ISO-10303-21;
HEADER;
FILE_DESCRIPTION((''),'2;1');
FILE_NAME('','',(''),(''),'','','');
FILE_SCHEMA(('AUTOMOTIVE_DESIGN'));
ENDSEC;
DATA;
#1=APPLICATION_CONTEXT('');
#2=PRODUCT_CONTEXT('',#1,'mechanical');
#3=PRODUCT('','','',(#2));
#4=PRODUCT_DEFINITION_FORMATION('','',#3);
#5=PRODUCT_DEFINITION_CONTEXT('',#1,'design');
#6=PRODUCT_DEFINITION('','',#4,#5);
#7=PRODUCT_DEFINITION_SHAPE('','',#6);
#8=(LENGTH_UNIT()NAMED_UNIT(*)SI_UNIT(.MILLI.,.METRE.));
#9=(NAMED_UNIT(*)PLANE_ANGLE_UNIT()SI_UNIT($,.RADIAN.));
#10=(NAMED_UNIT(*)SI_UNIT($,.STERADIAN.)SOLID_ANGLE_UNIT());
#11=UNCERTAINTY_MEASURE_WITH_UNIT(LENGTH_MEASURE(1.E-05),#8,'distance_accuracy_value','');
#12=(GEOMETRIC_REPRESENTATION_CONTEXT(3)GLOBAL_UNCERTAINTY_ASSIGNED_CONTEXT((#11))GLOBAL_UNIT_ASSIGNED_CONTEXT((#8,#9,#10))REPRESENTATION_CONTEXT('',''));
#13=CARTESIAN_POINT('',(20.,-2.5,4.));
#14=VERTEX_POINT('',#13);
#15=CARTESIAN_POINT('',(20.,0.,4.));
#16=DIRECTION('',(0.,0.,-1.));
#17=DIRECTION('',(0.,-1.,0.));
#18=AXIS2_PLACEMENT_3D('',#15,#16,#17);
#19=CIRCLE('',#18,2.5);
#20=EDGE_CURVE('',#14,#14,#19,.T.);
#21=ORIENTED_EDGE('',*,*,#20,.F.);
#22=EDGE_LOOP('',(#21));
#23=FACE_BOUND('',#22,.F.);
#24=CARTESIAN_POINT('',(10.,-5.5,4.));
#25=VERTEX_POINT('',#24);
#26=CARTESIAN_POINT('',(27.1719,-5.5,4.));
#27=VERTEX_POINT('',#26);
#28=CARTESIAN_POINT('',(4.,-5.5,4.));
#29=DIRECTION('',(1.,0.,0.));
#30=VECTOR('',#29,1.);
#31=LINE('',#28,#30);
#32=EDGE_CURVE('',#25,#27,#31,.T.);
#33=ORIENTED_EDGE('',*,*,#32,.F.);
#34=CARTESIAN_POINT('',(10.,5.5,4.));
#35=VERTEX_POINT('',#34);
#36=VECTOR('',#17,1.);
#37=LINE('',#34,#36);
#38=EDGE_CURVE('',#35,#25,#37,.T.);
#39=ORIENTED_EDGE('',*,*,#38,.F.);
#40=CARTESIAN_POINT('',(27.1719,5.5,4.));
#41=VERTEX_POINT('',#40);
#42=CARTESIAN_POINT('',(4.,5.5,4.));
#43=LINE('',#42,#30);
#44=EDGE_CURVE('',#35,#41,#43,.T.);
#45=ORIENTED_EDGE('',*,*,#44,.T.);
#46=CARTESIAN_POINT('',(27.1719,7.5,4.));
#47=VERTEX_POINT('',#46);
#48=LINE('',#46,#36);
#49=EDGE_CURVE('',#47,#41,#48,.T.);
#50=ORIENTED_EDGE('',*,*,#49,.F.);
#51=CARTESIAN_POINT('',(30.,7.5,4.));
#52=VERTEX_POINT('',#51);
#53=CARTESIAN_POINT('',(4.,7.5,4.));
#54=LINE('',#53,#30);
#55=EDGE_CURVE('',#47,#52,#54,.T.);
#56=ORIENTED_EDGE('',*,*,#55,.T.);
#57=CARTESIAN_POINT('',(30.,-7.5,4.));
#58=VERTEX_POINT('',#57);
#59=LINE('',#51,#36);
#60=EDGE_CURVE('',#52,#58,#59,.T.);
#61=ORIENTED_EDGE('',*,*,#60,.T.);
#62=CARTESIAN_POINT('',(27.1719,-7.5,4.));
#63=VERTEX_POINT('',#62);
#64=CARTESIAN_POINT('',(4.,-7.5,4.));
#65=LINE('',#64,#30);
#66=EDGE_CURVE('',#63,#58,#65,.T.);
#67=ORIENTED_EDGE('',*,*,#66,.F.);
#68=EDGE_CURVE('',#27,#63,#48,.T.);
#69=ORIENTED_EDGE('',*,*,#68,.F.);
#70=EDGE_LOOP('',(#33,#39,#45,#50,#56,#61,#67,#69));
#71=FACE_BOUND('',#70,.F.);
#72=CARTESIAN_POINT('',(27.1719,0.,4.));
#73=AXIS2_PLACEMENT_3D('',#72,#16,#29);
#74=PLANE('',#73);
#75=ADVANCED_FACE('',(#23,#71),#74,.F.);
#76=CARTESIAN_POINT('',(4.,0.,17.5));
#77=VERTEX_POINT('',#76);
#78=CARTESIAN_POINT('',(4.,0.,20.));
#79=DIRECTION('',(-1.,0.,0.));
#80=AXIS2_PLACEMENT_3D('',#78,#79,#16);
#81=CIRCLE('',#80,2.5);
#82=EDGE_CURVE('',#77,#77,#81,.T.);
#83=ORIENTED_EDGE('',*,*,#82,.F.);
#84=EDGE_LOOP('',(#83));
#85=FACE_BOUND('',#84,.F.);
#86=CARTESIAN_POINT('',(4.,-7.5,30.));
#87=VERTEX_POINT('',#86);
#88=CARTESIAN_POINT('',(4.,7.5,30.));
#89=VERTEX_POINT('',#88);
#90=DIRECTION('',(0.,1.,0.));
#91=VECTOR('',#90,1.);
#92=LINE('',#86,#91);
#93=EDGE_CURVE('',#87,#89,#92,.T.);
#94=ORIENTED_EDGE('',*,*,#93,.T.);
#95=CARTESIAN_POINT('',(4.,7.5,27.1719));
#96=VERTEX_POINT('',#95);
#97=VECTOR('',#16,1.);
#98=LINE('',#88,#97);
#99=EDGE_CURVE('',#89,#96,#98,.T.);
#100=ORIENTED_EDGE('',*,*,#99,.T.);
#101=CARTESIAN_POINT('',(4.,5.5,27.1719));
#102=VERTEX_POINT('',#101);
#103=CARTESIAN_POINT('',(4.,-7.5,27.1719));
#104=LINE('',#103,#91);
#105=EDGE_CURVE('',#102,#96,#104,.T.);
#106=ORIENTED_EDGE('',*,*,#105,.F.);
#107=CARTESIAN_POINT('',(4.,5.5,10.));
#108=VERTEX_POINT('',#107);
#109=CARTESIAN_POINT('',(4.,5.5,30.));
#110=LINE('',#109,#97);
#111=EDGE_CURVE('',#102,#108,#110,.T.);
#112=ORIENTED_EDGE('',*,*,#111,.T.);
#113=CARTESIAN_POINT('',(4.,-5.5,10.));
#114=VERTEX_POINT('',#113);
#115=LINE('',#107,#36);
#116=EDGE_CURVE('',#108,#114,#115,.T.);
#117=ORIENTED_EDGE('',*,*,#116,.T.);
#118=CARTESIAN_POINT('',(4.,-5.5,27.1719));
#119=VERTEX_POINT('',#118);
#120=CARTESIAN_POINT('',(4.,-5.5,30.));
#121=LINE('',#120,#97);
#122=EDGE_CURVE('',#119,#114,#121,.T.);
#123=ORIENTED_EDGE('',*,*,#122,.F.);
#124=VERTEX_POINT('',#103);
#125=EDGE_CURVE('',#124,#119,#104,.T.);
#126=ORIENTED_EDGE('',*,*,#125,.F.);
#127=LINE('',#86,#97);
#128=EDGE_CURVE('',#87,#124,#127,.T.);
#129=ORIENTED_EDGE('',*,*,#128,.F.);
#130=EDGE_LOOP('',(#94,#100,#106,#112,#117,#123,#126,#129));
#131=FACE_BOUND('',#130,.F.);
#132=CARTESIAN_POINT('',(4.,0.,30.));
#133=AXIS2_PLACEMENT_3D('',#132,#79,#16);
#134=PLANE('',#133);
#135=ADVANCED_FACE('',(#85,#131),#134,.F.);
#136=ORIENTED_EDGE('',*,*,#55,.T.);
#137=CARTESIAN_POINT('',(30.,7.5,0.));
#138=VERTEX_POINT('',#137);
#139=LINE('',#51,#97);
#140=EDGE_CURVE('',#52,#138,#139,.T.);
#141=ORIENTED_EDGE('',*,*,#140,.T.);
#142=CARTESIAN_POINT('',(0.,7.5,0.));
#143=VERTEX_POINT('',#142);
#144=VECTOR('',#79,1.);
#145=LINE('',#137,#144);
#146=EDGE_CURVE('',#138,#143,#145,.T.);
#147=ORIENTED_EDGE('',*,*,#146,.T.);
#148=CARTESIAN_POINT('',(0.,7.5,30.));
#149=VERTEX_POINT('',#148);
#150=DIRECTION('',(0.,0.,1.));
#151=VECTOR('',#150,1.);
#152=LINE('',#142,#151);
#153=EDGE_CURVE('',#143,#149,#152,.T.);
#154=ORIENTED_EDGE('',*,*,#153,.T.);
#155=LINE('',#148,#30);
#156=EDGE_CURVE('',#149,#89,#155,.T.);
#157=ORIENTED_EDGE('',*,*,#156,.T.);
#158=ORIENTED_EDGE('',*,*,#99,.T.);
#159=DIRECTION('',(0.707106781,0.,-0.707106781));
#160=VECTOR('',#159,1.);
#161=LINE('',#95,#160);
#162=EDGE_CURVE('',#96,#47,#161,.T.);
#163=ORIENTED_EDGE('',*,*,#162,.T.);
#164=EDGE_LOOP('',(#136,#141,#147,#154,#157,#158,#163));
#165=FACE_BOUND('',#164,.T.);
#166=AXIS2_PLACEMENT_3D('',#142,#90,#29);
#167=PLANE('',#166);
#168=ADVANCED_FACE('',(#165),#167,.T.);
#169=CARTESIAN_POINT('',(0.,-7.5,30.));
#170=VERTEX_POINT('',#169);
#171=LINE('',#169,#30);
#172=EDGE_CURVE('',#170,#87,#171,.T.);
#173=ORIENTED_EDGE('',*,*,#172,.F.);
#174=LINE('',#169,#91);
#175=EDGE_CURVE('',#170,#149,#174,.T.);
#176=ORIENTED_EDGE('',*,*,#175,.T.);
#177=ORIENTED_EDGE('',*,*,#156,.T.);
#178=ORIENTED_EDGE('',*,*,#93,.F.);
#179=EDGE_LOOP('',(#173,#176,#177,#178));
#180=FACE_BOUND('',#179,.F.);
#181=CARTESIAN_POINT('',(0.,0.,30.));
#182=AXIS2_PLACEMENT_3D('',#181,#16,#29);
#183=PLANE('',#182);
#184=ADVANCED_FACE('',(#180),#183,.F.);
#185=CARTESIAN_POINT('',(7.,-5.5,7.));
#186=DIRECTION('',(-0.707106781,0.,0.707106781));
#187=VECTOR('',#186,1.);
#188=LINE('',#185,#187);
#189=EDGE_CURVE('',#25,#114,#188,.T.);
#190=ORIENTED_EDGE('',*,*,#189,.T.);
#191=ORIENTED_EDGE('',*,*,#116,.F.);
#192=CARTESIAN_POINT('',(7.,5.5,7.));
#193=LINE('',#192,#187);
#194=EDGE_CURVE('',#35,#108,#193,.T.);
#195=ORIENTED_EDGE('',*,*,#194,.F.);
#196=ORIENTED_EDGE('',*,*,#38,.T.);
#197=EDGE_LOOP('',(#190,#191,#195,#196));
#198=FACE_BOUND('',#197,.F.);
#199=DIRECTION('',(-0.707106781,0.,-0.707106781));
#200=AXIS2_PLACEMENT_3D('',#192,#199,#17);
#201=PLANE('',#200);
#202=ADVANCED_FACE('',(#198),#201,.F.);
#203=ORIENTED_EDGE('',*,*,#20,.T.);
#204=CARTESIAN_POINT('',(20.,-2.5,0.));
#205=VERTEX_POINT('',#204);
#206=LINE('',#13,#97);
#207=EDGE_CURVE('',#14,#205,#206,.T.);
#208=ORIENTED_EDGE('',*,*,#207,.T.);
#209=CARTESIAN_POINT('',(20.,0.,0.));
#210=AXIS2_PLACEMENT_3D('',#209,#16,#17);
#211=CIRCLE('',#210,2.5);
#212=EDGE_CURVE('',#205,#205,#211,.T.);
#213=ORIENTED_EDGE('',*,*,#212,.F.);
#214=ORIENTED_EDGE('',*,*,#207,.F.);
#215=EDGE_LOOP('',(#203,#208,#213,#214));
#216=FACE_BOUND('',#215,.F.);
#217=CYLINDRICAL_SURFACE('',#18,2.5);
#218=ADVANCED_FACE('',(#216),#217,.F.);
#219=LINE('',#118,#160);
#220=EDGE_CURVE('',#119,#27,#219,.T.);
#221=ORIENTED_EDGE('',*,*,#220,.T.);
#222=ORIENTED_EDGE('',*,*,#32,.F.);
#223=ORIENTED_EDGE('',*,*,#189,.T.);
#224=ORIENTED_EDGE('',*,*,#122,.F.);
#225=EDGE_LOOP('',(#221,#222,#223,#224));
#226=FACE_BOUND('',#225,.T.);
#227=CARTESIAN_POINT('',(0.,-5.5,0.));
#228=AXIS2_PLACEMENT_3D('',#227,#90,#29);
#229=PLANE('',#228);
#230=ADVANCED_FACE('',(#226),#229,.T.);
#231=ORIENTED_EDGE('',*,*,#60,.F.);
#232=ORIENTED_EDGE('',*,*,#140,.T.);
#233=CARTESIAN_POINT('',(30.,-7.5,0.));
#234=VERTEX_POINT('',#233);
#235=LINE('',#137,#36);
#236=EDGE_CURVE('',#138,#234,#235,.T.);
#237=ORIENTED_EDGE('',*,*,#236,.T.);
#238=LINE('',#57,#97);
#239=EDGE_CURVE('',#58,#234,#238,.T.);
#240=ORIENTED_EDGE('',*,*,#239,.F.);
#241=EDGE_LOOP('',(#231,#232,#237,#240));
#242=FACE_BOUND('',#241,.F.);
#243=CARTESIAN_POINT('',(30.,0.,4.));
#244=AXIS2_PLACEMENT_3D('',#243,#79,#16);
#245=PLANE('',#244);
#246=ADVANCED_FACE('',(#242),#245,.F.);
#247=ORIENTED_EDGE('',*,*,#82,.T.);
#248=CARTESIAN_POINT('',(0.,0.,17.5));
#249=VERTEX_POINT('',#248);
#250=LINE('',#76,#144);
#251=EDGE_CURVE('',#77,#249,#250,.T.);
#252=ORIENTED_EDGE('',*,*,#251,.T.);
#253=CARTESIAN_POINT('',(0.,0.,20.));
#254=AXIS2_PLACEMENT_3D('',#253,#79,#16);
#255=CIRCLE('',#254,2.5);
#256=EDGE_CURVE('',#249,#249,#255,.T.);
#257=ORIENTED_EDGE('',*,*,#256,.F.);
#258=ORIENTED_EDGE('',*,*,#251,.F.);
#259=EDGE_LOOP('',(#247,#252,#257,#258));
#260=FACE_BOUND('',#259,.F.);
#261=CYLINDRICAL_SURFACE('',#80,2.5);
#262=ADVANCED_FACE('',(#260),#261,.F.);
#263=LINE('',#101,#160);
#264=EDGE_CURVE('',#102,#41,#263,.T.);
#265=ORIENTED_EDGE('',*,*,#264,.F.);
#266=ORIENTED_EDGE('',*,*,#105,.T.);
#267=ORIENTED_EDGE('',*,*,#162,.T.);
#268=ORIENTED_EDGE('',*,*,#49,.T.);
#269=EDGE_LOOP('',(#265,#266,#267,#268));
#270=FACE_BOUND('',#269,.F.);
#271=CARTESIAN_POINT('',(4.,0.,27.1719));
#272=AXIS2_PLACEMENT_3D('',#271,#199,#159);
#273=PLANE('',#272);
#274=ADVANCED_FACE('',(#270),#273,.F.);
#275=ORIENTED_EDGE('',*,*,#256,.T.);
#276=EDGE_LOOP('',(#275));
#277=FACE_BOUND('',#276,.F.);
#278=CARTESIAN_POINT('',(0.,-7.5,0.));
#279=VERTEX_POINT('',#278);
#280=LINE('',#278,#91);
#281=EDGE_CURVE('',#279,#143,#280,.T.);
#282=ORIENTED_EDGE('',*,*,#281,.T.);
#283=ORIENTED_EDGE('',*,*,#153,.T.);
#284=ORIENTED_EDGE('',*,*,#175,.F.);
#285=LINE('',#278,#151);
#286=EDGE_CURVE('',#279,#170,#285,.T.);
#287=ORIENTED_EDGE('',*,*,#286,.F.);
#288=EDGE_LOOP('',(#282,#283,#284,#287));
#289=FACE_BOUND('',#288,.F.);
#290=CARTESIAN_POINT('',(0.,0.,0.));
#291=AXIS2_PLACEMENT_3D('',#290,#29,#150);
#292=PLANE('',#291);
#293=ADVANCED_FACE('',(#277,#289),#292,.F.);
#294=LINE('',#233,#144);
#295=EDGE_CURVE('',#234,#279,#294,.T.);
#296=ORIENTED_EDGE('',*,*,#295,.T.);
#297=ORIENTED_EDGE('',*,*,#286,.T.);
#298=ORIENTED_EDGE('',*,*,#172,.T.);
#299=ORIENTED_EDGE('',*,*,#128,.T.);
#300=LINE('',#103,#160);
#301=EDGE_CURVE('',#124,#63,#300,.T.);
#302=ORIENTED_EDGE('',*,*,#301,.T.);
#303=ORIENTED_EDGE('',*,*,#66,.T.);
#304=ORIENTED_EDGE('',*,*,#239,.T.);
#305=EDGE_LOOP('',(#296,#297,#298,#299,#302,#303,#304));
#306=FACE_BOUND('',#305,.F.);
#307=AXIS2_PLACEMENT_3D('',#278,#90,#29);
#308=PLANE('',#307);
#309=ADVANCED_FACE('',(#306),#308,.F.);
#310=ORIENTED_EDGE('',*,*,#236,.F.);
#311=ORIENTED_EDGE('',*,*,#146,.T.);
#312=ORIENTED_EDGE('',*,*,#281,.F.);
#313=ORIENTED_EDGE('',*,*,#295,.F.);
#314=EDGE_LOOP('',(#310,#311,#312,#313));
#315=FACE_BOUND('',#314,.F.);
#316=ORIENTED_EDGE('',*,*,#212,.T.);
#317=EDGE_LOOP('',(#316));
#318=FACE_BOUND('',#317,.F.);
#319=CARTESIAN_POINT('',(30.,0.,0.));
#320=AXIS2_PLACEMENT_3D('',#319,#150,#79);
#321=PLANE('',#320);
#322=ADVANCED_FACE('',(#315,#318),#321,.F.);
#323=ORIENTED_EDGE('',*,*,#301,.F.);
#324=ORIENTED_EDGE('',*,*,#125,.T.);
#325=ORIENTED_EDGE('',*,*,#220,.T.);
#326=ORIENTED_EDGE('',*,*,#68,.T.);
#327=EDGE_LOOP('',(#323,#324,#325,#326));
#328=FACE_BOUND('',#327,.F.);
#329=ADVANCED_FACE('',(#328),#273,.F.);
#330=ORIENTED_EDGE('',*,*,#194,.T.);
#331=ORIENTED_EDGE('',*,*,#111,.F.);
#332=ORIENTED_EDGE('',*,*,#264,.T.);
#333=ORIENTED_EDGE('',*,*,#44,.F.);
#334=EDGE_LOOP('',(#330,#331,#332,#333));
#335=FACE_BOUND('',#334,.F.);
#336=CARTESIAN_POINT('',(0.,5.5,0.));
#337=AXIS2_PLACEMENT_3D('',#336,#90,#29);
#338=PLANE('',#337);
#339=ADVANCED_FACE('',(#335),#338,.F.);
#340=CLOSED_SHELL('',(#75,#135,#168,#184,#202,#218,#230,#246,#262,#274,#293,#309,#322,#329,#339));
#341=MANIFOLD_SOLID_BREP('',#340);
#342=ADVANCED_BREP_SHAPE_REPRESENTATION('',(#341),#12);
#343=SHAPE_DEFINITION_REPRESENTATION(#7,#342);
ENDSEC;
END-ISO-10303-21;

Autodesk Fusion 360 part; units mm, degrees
sketch "スケッチ1" plane through (0, 0, 0) normal (0, 1, 0) x (1, 0, 0)
  line L0 (0, 0) -> (0, -30)
  line L1 (0, -30) -> (4, -30)
  line L2 (4, -30) -> (4, -4)
  line L3 (4, -27.1719) -> (27.1719, -4)
  line L4 (4, -4) -> (30, -4)
  line L5 (30, -4) -> (30, 0)
  line L6 (30, 0) -> (0, 0)
  dimension "d1" = 30
  dimension "d2" = 30
  dimension "d3" = 4
  dimension "d4" = 4
  dimension "d5" = 32.77
  dimension "d6" = 45
extrude "押し出し1" add sketch "スケッチ1" along normal mid plane 15
extrude "押し出し2" cut sketch "スケッチ1" along normal mid plane 11 contours L2 L3 L4
chamfer "面取り1" distance 6 angle 45 1 edges at (4, 0, 4)
hole "穴1" at (20, 0, 4) direction (0, 0, -1) diameter 5 depth 4 tip angle 118
hole "穴2" at (4, 0, 20) direction (-1, 0, 0) diameter 5 depth 4 tip angle 118
